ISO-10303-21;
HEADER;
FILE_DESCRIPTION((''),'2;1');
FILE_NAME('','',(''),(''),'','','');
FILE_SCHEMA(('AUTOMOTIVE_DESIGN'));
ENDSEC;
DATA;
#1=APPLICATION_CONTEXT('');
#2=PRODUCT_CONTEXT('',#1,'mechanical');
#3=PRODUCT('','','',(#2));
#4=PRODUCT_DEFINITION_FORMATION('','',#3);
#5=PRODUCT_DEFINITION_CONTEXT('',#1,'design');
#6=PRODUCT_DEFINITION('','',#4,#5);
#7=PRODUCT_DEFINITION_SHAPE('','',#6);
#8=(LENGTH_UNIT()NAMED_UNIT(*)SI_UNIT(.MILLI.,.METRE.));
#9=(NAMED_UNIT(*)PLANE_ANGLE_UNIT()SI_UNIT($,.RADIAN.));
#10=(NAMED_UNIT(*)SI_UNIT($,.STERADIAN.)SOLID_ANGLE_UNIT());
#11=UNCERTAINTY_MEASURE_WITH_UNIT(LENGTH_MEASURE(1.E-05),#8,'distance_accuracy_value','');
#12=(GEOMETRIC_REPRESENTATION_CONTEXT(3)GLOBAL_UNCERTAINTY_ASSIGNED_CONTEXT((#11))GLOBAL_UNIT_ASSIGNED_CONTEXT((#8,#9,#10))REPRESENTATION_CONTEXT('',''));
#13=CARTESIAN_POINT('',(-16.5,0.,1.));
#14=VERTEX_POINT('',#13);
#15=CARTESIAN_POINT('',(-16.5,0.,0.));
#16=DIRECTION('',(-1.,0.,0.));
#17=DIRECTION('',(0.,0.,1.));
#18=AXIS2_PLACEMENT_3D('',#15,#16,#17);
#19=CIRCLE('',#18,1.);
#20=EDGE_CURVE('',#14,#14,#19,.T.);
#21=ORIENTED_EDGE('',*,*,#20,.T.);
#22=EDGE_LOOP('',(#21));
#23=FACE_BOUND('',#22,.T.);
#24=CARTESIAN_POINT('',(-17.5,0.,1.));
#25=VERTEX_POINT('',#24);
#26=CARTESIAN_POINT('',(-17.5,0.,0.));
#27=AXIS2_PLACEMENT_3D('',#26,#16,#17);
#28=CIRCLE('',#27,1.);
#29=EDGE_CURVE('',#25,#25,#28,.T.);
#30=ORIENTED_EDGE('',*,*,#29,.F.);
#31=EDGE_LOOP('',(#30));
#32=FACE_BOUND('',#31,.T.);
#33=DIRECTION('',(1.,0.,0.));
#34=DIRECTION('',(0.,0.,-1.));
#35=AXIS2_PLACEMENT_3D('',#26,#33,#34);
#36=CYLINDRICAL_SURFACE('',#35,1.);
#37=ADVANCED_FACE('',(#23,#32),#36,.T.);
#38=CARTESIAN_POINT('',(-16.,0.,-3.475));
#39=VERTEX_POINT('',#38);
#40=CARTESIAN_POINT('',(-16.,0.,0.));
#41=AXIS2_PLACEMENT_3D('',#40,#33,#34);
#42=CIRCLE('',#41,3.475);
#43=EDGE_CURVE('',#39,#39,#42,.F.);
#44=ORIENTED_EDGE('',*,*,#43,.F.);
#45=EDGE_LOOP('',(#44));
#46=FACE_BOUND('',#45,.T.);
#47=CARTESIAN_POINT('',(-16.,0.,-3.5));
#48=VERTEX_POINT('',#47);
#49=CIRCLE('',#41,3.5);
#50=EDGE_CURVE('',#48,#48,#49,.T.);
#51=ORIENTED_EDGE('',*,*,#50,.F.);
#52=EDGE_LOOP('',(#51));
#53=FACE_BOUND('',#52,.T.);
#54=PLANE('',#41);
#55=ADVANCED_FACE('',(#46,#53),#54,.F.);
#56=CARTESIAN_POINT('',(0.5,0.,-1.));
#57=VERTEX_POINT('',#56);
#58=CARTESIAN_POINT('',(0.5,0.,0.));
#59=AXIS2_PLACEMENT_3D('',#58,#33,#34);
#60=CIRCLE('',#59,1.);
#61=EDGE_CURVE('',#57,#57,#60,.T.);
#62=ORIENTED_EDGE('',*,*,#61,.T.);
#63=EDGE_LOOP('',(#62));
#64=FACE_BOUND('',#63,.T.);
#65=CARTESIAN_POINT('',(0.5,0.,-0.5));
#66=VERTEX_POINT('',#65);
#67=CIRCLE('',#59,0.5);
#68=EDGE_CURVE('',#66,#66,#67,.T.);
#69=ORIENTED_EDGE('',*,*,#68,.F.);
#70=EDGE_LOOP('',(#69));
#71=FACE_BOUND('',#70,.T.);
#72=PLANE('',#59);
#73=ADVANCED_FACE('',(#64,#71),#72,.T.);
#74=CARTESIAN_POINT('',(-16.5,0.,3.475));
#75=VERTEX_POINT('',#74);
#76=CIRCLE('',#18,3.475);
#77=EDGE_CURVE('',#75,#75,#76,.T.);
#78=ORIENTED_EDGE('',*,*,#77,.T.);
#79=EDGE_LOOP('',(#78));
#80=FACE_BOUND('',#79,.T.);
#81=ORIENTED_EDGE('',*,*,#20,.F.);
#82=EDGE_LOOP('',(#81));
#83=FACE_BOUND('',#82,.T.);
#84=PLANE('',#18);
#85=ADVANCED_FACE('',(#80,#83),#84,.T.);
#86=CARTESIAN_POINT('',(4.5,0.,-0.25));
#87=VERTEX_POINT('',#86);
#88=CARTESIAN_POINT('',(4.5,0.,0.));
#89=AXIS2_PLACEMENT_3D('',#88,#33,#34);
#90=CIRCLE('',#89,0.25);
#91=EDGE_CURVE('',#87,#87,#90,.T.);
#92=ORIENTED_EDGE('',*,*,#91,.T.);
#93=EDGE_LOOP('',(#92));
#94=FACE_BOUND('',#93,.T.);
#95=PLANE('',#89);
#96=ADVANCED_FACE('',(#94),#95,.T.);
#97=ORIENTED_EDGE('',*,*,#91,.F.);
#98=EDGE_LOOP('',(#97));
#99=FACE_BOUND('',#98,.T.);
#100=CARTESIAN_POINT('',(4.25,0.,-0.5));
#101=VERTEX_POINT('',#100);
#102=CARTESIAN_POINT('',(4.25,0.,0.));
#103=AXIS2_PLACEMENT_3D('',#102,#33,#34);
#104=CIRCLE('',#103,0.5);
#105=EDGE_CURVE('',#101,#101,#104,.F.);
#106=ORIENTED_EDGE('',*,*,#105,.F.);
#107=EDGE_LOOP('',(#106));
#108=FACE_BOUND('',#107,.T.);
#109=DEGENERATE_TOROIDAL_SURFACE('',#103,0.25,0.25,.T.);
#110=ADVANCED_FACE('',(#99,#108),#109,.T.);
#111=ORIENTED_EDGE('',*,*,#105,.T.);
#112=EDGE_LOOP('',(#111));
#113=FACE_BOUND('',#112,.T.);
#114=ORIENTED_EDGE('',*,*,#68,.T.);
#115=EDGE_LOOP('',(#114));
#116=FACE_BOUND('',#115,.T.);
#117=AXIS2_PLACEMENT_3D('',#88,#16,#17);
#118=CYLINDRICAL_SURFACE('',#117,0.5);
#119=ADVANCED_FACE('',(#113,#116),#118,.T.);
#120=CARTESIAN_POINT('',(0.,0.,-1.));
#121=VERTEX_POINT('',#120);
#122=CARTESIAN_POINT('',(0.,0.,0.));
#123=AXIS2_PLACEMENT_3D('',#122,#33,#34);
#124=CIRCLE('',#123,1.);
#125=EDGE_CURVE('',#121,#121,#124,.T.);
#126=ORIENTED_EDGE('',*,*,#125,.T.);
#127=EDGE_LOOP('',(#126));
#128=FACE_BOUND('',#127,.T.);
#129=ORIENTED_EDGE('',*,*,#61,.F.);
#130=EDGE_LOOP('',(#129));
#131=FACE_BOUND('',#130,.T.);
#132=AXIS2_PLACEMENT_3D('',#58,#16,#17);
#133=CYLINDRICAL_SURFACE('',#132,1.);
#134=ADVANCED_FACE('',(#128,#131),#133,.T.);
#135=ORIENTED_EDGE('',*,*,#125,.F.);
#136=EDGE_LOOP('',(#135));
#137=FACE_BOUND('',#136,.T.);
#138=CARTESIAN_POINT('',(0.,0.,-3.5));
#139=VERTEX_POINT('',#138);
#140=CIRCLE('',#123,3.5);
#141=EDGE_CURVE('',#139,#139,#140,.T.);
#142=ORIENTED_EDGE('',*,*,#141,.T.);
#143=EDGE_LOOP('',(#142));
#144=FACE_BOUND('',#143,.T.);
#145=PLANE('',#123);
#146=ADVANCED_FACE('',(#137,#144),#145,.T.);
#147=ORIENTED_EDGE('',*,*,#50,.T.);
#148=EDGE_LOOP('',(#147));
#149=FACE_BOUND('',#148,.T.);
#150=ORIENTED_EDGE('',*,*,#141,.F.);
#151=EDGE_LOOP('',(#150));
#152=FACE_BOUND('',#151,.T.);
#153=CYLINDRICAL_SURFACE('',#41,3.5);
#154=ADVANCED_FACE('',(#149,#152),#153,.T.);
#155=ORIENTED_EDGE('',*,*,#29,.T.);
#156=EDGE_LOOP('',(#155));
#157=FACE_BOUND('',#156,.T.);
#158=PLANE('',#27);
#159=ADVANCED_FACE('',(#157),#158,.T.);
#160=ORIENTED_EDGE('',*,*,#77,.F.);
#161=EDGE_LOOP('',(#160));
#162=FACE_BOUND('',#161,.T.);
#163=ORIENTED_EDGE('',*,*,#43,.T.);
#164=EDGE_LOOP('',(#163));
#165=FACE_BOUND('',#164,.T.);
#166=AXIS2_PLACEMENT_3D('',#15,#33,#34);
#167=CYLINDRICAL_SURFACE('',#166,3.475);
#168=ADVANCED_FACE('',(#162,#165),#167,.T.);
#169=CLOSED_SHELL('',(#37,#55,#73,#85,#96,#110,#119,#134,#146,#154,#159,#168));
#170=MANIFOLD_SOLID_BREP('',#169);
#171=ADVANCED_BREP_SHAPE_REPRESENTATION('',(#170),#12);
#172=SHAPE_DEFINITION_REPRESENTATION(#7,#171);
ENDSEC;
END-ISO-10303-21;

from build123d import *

# Parameters (mm, degrees)
SKETCH1_R           = 3.5
BOSS_EXTRUDE1_DEPTH = 16
SKETCH2_R           = 1
BOSS_EXTRUDE2_DEPTH = 0.5
SKETCH3_R           = 0.5
BOSS_EXTRUDE3_DEPTH = 4
FILLET1_R           = 0.25
SKETCH7_R           = 3.475
BOSS_EXTRUDE6_DEPTH = 0.5
BOSS_EXTRUDE7_START = 1
SKETCH8_R           = 1
BOSS_EXTRUDE7_DEPTH = 1


with BuildPart() as part:
    # Sketch1 → Boss-Extrude1 (new body)
    with BuildSketch(Plane(origin=(0, 0, 0), x_dir=(0, 0, -1), z_dir=(1, 0, 0))):
        Circle(SKETCH1_R)
    extrude(amount=-BOSS_EXTRUDE1_DEPTH)

    # Sketch2 → Boss-Extrude2 (add)
    with BuildSketch(Plane(origin=(0, 0, 0), x_dir=(0, 0, -1), z_dir=(1, 0, 0))):
        Circle(SKETCH2_R)
    extrude(amount=BOSS_EXTRUDE2_DEPTH)

    # Sketch3 → Boss-Extrude3 (add)
    with BuildSketch(Plane(origin=(0.5, 0, 0), x_dir=(0, 0, -1), z_dir=(1, 0, 0))):
        Circle(SKETCH3_R)
    extrude(amount=BOSS_EXTRUDE3_DEPTH)

    # Fillet1
    fillet1_edges = [part.edges().sort_by_distance(p)[0] for p in [
        (4.5, 0, 0.5),
    ]]
    fillet(fillet1_edges, radius=FILLET1_R)

    # Sketch7 → Boss-Extrude6 (add)
    with BuildSketch(Plane.ZY.offset(16)):
        with Locations(Location((0, 0, 0), (0, 0, 180))):
            Circle(SKETCH7_R)
    extrude(amount=BOSS_EXTRUDE6_DEPTH)

    # Sketch8 → Boss-Extrude7 (add)
    with BuildSketch(Plane.ZY.offset(16.5).offset(BOSS_EXTRUDE7_START)):
        with Locations(Location((0, 0, 0), (0, 0, 180))):
            Circle(SKETCH8_R)
    extrude(amount=-BOSS_EXTRUDE7_DEPTH)


solid = part.part
